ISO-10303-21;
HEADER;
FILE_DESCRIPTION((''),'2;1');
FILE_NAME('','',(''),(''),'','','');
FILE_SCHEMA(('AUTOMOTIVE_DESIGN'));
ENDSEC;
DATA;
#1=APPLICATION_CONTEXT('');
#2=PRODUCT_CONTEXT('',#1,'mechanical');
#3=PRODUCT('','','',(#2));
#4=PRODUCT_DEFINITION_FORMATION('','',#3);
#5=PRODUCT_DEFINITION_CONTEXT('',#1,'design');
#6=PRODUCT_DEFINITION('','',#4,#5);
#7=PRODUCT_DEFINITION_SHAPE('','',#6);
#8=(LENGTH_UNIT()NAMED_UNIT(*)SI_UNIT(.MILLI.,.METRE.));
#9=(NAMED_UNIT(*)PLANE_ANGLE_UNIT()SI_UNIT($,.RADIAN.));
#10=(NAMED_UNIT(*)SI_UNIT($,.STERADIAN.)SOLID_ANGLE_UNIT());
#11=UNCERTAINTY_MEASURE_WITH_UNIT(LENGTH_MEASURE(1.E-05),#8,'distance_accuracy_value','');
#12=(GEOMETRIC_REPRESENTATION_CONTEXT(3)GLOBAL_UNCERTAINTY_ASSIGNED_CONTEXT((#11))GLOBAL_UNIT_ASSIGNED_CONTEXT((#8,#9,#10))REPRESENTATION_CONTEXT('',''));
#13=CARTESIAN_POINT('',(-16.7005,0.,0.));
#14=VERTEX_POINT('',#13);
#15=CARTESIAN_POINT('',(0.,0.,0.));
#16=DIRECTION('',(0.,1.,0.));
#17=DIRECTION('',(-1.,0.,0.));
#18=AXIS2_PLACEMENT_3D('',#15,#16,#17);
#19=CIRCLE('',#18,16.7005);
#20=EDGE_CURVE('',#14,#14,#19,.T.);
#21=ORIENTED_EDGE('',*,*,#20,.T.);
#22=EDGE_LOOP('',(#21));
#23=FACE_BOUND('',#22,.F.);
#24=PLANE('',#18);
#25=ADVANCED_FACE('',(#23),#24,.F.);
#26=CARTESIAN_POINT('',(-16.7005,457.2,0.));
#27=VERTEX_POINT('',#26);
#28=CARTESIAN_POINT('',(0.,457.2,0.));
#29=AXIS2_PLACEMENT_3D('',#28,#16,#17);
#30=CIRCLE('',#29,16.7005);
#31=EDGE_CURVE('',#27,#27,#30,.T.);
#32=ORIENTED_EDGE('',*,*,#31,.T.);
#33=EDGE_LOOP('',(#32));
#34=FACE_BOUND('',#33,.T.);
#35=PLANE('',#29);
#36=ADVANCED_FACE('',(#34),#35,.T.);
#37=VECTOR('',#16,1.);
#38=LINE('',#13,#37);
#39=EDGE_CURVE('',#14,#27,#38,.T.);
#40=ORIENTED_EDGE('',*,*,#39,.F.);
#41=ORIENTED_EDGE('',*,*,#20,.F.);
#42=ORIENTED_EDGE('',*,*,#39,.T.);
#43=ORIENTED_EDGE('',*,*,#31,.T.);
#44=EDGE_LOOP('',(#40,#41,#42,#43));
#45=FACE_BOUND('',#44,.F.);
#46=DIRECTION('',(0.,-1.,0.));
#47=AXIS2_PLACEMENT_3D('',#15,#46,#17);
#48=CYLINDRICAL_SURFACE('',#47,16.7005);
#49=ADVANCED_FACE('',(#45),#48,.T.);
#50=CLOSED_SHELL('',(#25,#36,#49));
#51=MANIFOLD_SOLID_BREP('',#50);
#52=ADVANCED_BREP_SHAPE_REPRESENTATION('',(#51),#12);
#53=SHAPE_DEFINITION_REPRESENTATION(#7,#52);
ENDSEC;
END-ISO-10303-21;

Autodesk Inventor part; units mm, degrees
ref_plane "YZ Plane" through (0, 0, 0) normal (1, 0, 0) x (0, 1, 0)
ref_plane "XZ Plane" through (0, 0, 0) normal (0, 1, 0) x (-1, 0, 0)
ref_plane "XY Plane" through (0, 0, 0) normal (0, 0, 1) x (1, 0, 0)
sketch "Sketch1" plane through (0, 0, 0) normal (0, 1, 0) x (-1, 0, 0)
  circle A0 centre (0, 0) radius 16.7005
  dimension "d0" = 33.401
extrude "Extrusion1" add sketch "Sketch1" along normal blind 457.2
properties part number "Frame Part 1.5"
